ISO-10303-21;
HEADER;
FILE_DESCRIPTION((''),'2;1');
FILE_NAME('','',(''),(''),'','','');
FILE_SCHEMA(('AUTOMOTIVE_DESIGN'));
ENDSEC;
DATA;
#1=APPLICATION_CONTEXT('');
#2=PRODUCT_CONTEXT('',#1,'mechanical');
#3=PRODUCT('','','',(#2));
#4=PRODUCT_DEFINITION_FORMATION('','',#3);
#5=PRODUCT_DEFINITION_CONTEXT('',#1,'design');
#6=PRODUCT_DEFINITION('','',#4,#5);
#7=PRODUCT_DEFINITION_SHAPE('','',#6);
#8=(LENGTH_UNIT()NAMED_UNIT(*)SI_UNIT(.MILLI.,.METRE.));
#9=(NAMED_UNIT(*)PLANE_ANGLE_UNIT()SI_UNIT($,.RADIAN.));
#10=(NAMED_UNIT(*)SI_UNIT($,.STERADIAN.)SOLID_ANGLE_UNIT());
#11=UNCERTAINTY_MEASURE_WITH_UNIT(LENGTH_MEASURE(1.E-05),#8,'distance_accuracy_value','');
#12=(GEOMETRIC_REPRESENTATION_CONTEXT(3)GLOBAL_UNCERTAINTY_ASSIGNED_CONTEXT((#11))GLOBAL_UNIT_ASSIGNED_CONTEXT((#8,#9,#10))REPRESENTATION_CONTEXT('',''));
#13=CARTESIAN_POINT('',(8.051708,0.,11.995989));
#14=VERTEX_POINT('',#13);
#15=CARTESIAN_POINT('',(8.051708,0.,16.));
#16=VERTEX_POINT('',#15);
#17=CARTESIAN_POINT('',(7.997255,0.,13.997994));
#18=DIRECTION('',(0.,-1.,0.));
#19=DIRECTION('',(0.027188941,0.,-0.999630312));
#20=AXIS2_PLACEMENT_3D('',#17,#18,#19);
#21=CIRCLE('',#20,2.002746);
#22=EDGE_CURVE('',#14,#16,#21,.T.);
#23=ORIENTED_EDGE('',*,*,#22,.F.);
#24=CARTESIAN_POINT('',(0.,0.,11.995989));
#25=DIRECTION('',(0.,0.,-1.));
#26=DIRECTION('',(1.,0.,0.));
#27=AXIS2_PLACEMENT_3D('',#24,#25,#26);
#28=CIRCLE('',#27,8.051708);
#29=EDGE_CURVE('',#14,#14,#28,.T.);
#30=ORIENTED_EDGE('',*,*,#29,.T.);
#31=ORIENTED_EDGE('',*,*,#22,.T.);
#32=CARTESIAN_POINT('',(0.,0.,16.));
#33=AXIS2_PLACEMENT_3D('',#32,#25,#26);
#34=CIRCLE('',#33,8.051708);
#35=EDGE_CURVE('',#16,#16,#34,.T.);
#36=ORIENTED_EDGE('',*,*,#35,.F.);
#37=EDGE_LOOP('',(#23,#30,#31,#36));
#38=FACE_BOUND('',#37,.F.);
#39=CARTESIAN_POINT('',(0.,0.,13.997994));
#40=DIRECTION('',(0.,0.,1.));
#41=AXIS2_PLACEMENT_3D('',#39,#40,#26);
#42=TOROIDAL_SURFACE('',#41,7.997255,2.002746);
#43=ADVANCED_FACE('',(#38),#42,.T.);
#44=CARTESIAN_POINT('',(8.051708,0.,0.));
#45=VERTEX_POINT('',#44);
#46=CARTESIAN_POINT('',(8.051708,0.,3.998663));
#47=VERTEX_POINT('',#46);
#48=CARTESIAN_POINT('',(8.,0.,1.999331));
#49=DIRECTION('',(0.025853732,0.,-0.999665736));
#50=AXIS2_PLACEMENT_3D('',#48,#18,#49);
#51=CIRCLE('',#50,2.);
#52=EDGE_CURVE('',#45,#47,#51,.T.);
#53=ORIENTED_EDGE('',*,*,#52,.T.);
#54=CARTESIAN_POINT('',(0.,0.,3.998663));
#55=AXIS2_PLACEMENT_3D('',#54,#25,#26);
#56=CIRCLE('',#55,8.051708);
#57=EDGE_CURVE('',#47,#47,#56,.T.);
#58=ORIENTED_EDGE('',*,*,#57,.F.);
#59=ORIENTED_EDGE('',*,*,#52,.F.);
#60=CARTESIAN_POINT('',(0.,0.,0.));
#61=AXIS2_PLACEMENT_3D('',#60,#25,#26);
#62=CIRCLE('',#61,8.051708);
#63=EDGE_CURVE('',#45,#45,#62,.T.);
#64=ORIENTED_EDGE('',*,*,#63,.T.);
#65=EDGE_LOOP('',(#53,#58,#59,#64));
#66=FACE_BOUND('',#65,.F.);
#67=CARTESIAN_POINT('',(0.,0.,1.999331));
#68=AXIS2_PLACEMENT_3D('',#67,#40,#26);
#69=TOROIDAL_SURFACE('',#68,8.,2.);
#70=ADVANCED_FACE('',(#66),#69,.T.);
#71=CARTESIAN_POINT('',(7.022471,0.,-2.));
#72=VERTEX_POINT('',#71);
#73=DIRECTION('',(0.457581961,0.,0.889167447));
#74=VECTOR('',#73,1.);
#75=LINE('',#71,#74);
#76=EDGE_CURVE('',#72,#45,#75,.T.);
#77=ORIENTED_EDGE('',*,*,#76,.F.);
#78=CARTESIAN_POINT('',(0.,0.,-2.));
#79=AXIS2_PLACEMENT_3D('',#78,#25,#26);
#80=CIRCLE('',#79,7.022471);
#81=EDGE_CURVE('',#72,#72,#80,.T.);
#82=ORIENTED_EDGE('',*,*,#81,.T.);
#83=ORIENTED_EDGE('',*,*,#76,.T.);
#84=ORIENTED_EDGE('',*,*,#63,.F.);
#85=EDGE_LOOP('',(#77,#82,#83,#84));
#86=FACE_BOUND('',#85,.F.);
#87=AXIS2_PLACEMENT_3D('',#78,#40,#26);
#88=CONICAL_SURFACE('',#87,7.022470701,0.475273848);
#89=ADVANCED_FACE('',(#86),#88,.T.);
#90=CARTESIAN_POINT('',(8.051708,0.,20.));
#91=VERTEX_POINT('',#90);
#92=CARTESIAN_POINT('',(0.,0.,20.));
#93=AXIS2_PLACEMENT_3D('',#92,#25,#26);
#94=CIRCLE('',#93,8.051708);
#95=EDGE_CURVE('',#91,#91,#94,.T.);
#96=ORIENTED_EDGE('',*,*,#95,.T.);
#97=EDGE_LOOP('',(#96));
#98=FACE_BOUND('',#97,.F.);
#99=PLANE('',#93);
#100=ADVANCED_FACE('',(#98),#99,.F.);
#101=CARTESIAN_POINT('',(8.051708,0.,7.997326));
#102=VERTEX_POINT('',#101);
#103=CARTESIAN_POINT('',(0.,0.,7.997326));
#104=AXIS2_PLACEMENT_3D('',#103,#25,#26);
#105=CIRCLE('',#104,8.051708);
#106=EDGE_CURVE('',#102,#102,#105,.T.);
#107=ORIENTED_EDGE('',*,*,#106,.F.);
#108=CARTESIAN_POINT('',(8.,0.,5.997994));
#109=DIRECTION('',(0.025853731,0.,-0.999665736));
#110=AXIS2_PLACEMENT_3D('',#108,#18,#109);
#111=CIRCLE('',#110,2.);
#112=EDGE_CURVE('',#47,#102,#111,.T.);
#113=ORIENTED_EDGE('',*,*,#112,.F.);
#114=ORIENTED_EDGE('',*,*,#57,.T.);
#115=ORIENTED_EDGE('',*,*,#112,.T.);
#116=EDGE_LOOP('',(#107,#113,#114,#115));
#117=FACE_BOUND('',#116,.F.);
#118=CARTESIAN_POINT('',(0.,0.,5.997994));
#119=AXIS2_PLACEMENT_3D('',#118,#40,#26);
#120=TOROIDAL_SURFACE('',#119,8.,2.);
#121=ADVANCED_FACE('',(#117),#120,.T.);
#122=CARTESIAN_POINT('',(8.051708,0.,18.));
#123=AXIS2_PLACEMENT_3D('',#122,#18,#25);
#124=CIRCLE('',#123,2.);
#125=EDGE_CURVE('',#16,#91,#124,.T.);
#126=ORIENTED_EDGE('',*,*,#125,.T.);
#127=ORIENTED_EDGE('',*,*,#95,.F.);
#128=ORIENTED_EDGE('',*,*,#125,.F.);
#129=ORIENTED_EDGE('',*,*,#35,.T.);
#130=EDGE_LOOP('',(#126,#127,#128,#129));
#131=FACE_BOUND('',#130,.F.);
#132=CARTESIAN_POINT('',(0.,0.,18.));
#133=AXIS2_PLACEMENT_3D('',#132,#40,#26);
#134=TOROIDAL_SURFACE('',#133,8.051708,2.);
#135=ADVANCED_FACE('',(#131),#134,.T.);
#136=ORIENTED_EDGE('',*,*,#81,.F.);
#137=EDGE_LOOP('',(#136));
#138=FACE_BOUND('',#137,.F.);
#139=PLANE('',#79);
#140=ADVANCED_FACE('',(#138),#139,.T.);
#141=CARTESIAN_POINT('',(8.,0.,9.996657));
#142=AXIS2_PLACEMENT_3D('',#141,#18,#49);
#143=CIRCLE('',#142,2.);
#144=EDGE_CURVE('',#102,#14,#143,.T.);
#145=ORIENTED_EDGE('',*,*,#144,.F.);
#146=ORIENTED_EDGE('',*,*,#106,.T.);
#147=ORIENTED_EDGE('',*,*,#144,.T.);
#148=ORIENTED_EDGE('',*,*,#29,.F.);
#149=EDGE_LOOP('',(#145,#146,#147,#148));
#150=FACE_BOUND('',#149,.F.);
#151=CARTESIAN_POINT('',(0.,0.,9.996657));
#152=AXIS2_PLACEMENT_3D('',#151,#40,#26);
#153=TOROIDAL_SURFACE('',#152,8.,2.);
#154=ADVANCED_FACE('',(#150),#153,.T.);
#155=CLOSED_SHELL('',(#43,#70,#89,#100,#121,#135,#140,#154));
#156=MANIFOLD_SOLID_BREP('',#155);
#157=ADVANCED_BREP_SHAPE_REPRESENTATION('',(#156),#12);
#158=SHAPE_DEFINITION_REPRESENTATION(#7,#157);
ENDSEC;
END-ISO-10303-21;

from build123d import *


with BuildPart() as f1:
    # F0 (on Front) → F1 (revolve)
    with BuildSketch(Plane.XZ):
        with BuildLine():
            Line((7.0224707015, -2), (8.0517075747, 0))
            ThreePointArc((8.0517075747, 0), (10.0000001117, 1.9993314728), (8.0517075747, 3.9986629457))
            ThreePointArc((8.0517075747, 3.9986629457), (10.0000001117, 5.9979944185), (8.0517075747, 7.9973258913))
            ThreePointArc((8.0517075747, 7.9973258913), (10.0000001117, 9.9966573642), (8.0517075747, 11.995988837))
            ThreePointArc((8.0517075747, 11.995988837), (10.0000010042, 13.9979944185), (8.0517075747, 16))
            ThreePointArc((8.0517075747, 16), (10.0517075747, 18), (8.0517075747, 20))
            Line((8.0517075747, 20), (0, 20))
            Line((0, 20), (0, 0))
            Line((0, 0), (0, -2))
            Line((0, -2), (7.0224707015, -2))
        make_face()
        with BuildLine():
            ThreePointArc((8.0517075747, 0), (8.0000001117, -0.0006685272), (7.9482926488, 0))
            Line((7.9482926488, 0), (8.0517075747, 0))
        make_face(mode=Mode.SUBTRACT)
        with BuildLine():
            ThreePointArc((7.9482926488, 3.9986629457), (8.0000001117, 3.9993314728), (8.0517075747, 3.9986629457))
            ThreePointArc((8.0517075747, 3.9986629457), (8.0000001117, 3.9979944185), (7.9482926488, 3.9986629457))
        make_face(mode=Mode.SUBTRACT)
        with BuildLine():
            ThreePointArc((7.9482926488, 7.9973258913), (8.0000001117, 7.9979944185), (8.0517075747, 7.9973258913))
            ThreePointArc((8.0517075747, 7.9973258913), (8.0000001117, 7.9966573642), (7.9482926488, 7.9973258913))
        make_face(mode=Mode.SUBTRACT)
        with BuildLine():
            ThreePointArc((7.945549454, 11.9959160083), (7.998628031, 11.9966568935), (8.0517075747, 11.995988837))
            ThreePointArc((8.0517075747, 11.995988837), (7.9986289969, 11.995248918), (7.945549454, 11.9959160083))
        make_face(mode=Mode.SUBTRACT)
        with BuildLine():
            ThreePointArc((7.9972923949, 16.00074039), (8.0245024997, 16.0005550301), (8.0517075747, 16))
            ThreePointArc((8.0517075747, 16), (8.0244974664, 16.0001851061), (7.9972923949, 16.00074039))
        make_face(mode=Mode.SUBTRACT)
        with BuildLine():
            ThreePointArc((7.945549454, 11.9959160083), (7.9986289969, 11.995248918), (8.0517075747, 11.995988837))
            ThreePointArc((8.0517075747, 11.995988837), (7.998628031, 11.9966568935), (7.945549454, 11.9959160083))
        make_face()
        with BuildLine():
            ThreePointArc((7.9482926488, 3.9986629457), (8.0000001117, 3.9979944185), (8.0517075747, 3.9986629457))
            ThreePointArc((8.0517075747, 3.9986629457), (8.0000001117, 3.9993314728), (7.9482926488, 3.9986629457))
        make_face()
        with BuildLine():
            ThreePointArc((7.9482926488, 7.9973258913), (8.0000001117, 7.9966573642), (8.0517075747, 7.9973258913))
            ThreePointArc((8.0517075747, 7.9973258913), (8.0000001117, 7.9979944185), (7.9482926488, 7.9973258913))
        make_face()
        with BuildLine():
            Line((8.0517075747, 0), (7.9482926488, 0))
            ThreePointArc((7.9482926488, 0), (8.0000001117, -0.0006685272), (8.0517075747, 0))
        make_face()
        with BuildLine():
            ThreePointArc((7.9972923949, 16.00074039), (8.0244974664, 16.0001851061), (8.0517075747, 16))
            ThreePointArc((8.0517075747, 16), (8.0245024997, 16.0005550301), (7.9972923949, 16.00074039))
        make_face()
    revolve(axis=Axis((0, 0, 0.1023025871), (0, 0, -1)))


solid = f1.part
